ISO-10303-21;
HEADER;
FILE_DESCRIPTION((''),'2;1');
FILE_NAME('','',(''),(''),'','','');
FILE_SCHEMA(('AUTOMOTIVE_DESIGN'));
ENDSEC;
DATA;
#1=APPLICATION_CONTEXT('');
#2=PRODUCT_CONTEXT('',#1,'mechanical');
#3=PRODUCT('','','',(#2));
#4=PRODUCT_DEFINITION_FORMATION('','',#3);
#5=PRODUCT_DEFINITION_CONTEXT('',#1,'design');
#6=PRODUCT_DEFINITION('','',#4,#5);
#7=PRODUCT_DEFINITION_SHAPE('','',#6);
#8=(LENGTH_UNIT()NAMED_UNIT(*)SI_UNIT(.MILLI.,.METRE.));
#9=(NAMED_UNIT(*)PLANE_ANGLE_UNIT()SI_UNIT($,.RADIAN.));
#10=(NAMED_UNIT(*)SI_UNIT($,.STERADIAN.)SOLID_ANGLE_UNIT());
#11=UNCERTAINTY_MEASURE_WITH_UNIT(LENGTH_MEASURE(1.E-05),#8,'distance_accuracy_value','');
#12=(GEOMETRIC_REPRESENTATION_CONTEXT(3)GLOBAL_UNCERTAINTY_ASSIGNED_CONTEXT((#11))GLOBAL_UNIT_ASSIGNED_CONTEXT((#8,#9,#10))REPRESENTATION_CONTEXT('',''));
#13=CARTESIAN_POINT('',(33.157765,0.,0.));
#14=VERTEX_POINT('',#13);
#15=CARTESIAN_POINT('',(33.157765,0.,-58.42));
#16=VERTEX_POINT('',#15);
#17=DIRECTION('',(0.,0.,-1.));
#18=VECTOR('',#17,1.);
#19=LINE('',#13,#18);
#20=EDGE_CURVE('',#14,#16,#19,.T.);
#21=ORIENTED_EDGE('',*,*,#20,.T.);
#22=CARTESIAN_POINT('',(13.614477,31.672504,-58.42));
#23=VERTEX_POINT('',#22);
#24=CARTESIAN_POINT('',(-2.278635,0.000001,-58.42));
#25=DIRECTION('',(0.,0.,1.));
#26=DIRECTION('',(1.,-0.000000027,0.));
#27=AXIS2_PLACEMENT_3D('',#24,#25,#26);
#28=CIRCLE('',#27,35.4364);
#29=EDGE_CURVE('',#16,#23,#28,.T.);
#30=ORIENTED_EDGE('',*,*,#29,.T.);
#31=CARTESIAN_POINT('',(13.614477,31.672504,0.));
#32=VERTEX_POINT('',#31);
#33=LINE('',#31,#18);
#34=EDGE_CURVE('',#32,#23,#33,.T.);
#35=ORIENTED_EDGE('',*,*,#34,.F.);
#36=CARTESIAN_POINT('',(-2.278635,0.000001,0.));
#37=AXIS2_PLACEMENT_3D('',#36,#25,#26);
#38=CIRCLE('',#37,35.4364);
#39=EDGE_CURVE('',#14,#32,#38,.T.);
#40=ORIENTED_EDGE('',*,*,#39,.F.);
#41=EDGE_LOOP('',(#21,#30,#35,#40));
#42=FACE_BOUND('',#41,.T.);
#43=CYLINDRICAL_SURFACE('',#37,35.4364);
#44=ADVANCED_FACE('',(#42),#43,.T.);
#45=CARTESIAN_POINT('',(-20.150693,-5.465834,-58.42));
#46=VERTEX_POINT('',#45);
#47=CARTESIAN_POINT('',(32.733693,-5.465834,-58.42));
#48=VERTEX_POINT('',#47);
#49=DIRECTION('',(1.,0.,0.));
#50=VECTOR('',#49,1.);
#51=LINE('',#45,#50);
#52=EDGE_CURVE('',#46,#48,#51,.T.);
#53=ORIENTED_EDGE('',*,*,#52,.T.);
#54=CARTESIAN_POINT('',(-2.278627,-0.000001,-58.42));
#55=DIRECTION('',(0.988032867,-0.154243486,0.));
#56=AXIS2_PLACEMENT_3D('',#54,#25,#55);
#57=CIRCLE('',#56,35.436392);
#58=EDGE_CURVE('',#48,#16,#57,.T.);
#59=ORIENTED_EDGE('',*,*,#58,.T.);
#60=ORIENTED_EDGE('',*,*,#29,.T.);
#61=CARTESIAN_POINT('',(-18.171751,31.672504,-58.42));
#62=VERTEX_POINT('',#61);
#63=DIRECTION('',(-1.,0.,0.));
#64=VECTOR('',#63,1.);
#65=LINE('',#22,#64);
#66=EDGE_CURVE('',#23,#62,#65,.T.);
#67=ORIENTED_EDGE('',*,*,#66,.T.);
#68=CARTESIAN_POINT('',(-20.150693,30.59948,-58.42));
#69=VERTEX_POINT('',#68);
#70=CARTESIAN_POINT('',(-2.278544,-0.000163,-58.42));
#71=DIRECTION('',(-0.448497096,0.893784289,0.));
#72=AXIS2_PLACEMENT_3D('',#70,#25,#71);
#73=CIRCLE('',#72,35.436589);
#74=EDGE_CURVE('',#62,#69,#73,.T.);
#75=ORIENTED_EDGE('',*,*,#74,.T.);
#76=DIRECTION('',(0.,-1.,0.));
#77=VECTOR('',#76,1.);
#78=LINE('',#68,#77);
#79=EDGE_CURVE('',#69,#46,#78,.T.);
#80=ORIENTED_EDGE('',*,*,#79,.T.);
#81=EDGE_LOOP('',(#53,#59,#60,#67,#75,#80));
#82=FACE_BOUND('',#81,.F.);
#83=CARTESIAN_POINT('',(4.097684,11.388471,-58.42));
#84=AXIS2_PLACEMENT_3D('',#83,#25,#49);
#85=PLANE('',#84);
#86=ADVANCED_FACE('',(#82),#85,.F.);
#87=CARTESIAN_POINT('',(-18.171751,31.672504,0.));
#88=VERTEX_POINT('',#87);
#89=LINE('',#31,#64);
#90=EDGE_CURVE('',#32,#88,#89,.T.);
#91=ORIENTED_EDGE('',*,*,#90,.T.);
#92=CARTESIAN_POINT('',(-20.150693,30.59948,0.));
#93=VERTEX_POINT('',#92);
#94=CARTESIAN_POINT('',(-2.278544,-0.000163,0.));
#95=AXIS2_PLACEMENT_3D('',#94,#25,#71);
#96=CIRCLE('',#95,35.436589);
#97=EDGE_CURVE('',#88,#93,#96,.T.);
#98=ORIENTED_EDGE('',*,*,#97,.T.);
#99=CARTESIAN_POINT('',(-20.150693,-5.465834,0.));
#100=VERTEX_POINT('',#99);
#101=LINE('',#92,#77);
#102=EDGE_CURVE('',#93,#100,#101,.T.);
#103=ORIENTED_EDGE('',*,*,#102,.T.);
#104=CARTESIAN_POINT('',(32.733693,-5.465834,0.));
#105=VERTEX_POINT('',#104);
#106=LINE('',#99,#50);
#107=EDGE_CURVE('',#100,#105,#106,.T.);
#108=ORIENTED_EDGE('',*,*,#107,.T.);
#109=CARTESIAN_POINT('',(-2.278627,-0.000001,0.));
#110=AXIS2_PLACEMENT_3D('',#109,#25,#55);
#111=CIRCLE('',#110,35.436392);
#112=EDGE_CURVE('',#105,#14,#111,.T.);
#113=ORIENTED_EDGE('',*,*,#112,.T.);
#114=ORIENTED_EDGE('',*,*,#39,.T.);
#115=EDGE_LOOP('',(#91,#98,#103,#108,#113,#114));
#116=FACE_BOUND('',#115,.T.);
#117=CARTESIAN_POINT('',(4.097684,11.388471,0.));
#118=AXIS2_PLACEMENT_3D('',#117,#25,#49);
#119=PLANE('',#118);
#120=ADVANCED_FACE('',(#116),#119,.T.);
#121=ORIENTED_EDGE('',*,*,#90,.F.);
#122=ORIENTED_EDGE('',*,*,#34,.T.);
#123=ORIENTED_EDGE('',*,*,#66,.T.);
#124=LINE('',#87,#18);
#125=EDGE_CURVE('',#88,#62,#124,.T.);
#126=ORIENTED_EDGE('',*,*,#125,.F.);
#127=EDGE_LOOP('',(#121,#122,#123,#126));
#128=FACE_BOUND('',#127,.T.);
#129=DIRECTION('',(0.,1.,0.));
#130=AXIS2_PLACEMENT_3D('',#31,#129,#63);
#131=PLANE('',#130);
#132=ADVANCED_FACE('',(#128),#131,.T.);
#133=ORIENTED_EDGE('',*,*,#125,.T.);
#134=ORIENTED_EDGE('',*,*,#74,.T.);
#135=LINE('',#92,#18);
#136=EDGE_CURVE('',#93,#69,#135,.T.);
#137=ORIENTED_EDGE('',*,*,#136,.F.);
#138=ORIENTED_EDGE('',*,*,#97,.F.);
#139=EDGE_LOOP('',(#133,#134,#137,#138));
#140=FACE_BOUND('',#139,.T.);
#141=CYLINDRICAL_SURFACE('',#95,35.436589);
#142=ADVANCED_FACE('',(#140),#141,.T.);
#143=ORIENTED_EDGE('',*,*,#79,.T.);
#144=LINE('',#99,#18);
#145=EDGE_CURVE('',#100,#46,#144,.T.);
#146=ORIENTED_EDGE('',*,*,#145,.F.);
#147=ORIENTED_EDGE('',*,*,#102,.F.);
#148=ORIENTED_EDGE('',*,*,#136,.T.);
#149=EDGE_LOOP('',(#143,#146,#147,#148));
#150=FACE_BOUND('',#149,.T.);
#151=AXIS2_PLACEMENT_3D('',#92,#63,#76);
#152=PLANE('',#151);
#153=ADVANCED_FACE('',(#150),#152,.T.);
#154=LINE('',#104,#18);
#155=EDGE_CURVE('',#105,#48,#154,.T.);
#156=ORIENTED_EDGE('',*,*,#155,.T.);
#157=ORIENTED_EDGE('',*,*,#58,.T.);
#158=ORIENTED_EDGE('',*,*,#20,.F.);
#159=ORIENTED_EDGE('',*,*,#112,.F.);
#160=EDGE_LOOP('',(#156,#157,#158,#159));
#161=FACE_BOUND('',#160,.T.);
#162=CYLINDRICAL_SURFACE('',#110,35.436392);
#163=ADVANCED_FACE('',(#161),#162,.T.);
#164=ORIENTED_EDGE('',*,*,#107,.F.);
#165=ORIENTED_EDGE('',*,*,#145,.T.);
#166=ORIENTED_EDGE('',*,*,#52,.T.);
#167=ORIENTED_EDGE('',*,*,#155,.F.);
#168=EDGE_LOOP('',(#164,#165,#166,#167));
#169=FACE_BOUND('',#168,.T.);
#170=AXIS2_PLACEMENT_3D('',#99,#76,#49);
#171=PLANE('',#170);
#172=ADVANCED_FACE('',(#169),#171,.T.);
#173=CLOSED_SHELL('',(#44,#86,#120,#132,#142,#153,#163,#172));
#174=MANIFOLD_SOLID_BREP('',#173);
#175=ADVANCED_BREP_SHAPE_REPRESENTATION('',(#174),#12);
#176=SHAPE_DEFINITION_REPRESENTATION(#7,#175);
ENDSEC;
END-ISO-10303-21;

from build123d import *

# Parameters (mm, degrees)
F1_DEPTH = 58.42


with BuildPart() as f1:
    # F0 (on Top) → F1 (new body)
    with BuildSketch(Plane.XY):
        with BuildLine():
            Line((-20.150693, -5.465834), (32.733693, -5.465834))
            ThreePointArc((32.733693, -5.465834), (33.051588, -2.74113), (33.157765, 0))
            ThreePointArc((33.157765, 0), (27.878729, 18.608382), (13.614477, 31.672504))
            Line((13.614477, 31.672504), (-18.171751, 31.672504))
            ThreePointArc((-18.171751, 31.672504), (-19.169745, 31.15171), (-20.150693, 30.59948))
            Line((-20.150693, 30.59948), (-20.150693, -5.465834))
        make_face()
    extrude(amount=-F1_DEPTH)


solid = f1.part
